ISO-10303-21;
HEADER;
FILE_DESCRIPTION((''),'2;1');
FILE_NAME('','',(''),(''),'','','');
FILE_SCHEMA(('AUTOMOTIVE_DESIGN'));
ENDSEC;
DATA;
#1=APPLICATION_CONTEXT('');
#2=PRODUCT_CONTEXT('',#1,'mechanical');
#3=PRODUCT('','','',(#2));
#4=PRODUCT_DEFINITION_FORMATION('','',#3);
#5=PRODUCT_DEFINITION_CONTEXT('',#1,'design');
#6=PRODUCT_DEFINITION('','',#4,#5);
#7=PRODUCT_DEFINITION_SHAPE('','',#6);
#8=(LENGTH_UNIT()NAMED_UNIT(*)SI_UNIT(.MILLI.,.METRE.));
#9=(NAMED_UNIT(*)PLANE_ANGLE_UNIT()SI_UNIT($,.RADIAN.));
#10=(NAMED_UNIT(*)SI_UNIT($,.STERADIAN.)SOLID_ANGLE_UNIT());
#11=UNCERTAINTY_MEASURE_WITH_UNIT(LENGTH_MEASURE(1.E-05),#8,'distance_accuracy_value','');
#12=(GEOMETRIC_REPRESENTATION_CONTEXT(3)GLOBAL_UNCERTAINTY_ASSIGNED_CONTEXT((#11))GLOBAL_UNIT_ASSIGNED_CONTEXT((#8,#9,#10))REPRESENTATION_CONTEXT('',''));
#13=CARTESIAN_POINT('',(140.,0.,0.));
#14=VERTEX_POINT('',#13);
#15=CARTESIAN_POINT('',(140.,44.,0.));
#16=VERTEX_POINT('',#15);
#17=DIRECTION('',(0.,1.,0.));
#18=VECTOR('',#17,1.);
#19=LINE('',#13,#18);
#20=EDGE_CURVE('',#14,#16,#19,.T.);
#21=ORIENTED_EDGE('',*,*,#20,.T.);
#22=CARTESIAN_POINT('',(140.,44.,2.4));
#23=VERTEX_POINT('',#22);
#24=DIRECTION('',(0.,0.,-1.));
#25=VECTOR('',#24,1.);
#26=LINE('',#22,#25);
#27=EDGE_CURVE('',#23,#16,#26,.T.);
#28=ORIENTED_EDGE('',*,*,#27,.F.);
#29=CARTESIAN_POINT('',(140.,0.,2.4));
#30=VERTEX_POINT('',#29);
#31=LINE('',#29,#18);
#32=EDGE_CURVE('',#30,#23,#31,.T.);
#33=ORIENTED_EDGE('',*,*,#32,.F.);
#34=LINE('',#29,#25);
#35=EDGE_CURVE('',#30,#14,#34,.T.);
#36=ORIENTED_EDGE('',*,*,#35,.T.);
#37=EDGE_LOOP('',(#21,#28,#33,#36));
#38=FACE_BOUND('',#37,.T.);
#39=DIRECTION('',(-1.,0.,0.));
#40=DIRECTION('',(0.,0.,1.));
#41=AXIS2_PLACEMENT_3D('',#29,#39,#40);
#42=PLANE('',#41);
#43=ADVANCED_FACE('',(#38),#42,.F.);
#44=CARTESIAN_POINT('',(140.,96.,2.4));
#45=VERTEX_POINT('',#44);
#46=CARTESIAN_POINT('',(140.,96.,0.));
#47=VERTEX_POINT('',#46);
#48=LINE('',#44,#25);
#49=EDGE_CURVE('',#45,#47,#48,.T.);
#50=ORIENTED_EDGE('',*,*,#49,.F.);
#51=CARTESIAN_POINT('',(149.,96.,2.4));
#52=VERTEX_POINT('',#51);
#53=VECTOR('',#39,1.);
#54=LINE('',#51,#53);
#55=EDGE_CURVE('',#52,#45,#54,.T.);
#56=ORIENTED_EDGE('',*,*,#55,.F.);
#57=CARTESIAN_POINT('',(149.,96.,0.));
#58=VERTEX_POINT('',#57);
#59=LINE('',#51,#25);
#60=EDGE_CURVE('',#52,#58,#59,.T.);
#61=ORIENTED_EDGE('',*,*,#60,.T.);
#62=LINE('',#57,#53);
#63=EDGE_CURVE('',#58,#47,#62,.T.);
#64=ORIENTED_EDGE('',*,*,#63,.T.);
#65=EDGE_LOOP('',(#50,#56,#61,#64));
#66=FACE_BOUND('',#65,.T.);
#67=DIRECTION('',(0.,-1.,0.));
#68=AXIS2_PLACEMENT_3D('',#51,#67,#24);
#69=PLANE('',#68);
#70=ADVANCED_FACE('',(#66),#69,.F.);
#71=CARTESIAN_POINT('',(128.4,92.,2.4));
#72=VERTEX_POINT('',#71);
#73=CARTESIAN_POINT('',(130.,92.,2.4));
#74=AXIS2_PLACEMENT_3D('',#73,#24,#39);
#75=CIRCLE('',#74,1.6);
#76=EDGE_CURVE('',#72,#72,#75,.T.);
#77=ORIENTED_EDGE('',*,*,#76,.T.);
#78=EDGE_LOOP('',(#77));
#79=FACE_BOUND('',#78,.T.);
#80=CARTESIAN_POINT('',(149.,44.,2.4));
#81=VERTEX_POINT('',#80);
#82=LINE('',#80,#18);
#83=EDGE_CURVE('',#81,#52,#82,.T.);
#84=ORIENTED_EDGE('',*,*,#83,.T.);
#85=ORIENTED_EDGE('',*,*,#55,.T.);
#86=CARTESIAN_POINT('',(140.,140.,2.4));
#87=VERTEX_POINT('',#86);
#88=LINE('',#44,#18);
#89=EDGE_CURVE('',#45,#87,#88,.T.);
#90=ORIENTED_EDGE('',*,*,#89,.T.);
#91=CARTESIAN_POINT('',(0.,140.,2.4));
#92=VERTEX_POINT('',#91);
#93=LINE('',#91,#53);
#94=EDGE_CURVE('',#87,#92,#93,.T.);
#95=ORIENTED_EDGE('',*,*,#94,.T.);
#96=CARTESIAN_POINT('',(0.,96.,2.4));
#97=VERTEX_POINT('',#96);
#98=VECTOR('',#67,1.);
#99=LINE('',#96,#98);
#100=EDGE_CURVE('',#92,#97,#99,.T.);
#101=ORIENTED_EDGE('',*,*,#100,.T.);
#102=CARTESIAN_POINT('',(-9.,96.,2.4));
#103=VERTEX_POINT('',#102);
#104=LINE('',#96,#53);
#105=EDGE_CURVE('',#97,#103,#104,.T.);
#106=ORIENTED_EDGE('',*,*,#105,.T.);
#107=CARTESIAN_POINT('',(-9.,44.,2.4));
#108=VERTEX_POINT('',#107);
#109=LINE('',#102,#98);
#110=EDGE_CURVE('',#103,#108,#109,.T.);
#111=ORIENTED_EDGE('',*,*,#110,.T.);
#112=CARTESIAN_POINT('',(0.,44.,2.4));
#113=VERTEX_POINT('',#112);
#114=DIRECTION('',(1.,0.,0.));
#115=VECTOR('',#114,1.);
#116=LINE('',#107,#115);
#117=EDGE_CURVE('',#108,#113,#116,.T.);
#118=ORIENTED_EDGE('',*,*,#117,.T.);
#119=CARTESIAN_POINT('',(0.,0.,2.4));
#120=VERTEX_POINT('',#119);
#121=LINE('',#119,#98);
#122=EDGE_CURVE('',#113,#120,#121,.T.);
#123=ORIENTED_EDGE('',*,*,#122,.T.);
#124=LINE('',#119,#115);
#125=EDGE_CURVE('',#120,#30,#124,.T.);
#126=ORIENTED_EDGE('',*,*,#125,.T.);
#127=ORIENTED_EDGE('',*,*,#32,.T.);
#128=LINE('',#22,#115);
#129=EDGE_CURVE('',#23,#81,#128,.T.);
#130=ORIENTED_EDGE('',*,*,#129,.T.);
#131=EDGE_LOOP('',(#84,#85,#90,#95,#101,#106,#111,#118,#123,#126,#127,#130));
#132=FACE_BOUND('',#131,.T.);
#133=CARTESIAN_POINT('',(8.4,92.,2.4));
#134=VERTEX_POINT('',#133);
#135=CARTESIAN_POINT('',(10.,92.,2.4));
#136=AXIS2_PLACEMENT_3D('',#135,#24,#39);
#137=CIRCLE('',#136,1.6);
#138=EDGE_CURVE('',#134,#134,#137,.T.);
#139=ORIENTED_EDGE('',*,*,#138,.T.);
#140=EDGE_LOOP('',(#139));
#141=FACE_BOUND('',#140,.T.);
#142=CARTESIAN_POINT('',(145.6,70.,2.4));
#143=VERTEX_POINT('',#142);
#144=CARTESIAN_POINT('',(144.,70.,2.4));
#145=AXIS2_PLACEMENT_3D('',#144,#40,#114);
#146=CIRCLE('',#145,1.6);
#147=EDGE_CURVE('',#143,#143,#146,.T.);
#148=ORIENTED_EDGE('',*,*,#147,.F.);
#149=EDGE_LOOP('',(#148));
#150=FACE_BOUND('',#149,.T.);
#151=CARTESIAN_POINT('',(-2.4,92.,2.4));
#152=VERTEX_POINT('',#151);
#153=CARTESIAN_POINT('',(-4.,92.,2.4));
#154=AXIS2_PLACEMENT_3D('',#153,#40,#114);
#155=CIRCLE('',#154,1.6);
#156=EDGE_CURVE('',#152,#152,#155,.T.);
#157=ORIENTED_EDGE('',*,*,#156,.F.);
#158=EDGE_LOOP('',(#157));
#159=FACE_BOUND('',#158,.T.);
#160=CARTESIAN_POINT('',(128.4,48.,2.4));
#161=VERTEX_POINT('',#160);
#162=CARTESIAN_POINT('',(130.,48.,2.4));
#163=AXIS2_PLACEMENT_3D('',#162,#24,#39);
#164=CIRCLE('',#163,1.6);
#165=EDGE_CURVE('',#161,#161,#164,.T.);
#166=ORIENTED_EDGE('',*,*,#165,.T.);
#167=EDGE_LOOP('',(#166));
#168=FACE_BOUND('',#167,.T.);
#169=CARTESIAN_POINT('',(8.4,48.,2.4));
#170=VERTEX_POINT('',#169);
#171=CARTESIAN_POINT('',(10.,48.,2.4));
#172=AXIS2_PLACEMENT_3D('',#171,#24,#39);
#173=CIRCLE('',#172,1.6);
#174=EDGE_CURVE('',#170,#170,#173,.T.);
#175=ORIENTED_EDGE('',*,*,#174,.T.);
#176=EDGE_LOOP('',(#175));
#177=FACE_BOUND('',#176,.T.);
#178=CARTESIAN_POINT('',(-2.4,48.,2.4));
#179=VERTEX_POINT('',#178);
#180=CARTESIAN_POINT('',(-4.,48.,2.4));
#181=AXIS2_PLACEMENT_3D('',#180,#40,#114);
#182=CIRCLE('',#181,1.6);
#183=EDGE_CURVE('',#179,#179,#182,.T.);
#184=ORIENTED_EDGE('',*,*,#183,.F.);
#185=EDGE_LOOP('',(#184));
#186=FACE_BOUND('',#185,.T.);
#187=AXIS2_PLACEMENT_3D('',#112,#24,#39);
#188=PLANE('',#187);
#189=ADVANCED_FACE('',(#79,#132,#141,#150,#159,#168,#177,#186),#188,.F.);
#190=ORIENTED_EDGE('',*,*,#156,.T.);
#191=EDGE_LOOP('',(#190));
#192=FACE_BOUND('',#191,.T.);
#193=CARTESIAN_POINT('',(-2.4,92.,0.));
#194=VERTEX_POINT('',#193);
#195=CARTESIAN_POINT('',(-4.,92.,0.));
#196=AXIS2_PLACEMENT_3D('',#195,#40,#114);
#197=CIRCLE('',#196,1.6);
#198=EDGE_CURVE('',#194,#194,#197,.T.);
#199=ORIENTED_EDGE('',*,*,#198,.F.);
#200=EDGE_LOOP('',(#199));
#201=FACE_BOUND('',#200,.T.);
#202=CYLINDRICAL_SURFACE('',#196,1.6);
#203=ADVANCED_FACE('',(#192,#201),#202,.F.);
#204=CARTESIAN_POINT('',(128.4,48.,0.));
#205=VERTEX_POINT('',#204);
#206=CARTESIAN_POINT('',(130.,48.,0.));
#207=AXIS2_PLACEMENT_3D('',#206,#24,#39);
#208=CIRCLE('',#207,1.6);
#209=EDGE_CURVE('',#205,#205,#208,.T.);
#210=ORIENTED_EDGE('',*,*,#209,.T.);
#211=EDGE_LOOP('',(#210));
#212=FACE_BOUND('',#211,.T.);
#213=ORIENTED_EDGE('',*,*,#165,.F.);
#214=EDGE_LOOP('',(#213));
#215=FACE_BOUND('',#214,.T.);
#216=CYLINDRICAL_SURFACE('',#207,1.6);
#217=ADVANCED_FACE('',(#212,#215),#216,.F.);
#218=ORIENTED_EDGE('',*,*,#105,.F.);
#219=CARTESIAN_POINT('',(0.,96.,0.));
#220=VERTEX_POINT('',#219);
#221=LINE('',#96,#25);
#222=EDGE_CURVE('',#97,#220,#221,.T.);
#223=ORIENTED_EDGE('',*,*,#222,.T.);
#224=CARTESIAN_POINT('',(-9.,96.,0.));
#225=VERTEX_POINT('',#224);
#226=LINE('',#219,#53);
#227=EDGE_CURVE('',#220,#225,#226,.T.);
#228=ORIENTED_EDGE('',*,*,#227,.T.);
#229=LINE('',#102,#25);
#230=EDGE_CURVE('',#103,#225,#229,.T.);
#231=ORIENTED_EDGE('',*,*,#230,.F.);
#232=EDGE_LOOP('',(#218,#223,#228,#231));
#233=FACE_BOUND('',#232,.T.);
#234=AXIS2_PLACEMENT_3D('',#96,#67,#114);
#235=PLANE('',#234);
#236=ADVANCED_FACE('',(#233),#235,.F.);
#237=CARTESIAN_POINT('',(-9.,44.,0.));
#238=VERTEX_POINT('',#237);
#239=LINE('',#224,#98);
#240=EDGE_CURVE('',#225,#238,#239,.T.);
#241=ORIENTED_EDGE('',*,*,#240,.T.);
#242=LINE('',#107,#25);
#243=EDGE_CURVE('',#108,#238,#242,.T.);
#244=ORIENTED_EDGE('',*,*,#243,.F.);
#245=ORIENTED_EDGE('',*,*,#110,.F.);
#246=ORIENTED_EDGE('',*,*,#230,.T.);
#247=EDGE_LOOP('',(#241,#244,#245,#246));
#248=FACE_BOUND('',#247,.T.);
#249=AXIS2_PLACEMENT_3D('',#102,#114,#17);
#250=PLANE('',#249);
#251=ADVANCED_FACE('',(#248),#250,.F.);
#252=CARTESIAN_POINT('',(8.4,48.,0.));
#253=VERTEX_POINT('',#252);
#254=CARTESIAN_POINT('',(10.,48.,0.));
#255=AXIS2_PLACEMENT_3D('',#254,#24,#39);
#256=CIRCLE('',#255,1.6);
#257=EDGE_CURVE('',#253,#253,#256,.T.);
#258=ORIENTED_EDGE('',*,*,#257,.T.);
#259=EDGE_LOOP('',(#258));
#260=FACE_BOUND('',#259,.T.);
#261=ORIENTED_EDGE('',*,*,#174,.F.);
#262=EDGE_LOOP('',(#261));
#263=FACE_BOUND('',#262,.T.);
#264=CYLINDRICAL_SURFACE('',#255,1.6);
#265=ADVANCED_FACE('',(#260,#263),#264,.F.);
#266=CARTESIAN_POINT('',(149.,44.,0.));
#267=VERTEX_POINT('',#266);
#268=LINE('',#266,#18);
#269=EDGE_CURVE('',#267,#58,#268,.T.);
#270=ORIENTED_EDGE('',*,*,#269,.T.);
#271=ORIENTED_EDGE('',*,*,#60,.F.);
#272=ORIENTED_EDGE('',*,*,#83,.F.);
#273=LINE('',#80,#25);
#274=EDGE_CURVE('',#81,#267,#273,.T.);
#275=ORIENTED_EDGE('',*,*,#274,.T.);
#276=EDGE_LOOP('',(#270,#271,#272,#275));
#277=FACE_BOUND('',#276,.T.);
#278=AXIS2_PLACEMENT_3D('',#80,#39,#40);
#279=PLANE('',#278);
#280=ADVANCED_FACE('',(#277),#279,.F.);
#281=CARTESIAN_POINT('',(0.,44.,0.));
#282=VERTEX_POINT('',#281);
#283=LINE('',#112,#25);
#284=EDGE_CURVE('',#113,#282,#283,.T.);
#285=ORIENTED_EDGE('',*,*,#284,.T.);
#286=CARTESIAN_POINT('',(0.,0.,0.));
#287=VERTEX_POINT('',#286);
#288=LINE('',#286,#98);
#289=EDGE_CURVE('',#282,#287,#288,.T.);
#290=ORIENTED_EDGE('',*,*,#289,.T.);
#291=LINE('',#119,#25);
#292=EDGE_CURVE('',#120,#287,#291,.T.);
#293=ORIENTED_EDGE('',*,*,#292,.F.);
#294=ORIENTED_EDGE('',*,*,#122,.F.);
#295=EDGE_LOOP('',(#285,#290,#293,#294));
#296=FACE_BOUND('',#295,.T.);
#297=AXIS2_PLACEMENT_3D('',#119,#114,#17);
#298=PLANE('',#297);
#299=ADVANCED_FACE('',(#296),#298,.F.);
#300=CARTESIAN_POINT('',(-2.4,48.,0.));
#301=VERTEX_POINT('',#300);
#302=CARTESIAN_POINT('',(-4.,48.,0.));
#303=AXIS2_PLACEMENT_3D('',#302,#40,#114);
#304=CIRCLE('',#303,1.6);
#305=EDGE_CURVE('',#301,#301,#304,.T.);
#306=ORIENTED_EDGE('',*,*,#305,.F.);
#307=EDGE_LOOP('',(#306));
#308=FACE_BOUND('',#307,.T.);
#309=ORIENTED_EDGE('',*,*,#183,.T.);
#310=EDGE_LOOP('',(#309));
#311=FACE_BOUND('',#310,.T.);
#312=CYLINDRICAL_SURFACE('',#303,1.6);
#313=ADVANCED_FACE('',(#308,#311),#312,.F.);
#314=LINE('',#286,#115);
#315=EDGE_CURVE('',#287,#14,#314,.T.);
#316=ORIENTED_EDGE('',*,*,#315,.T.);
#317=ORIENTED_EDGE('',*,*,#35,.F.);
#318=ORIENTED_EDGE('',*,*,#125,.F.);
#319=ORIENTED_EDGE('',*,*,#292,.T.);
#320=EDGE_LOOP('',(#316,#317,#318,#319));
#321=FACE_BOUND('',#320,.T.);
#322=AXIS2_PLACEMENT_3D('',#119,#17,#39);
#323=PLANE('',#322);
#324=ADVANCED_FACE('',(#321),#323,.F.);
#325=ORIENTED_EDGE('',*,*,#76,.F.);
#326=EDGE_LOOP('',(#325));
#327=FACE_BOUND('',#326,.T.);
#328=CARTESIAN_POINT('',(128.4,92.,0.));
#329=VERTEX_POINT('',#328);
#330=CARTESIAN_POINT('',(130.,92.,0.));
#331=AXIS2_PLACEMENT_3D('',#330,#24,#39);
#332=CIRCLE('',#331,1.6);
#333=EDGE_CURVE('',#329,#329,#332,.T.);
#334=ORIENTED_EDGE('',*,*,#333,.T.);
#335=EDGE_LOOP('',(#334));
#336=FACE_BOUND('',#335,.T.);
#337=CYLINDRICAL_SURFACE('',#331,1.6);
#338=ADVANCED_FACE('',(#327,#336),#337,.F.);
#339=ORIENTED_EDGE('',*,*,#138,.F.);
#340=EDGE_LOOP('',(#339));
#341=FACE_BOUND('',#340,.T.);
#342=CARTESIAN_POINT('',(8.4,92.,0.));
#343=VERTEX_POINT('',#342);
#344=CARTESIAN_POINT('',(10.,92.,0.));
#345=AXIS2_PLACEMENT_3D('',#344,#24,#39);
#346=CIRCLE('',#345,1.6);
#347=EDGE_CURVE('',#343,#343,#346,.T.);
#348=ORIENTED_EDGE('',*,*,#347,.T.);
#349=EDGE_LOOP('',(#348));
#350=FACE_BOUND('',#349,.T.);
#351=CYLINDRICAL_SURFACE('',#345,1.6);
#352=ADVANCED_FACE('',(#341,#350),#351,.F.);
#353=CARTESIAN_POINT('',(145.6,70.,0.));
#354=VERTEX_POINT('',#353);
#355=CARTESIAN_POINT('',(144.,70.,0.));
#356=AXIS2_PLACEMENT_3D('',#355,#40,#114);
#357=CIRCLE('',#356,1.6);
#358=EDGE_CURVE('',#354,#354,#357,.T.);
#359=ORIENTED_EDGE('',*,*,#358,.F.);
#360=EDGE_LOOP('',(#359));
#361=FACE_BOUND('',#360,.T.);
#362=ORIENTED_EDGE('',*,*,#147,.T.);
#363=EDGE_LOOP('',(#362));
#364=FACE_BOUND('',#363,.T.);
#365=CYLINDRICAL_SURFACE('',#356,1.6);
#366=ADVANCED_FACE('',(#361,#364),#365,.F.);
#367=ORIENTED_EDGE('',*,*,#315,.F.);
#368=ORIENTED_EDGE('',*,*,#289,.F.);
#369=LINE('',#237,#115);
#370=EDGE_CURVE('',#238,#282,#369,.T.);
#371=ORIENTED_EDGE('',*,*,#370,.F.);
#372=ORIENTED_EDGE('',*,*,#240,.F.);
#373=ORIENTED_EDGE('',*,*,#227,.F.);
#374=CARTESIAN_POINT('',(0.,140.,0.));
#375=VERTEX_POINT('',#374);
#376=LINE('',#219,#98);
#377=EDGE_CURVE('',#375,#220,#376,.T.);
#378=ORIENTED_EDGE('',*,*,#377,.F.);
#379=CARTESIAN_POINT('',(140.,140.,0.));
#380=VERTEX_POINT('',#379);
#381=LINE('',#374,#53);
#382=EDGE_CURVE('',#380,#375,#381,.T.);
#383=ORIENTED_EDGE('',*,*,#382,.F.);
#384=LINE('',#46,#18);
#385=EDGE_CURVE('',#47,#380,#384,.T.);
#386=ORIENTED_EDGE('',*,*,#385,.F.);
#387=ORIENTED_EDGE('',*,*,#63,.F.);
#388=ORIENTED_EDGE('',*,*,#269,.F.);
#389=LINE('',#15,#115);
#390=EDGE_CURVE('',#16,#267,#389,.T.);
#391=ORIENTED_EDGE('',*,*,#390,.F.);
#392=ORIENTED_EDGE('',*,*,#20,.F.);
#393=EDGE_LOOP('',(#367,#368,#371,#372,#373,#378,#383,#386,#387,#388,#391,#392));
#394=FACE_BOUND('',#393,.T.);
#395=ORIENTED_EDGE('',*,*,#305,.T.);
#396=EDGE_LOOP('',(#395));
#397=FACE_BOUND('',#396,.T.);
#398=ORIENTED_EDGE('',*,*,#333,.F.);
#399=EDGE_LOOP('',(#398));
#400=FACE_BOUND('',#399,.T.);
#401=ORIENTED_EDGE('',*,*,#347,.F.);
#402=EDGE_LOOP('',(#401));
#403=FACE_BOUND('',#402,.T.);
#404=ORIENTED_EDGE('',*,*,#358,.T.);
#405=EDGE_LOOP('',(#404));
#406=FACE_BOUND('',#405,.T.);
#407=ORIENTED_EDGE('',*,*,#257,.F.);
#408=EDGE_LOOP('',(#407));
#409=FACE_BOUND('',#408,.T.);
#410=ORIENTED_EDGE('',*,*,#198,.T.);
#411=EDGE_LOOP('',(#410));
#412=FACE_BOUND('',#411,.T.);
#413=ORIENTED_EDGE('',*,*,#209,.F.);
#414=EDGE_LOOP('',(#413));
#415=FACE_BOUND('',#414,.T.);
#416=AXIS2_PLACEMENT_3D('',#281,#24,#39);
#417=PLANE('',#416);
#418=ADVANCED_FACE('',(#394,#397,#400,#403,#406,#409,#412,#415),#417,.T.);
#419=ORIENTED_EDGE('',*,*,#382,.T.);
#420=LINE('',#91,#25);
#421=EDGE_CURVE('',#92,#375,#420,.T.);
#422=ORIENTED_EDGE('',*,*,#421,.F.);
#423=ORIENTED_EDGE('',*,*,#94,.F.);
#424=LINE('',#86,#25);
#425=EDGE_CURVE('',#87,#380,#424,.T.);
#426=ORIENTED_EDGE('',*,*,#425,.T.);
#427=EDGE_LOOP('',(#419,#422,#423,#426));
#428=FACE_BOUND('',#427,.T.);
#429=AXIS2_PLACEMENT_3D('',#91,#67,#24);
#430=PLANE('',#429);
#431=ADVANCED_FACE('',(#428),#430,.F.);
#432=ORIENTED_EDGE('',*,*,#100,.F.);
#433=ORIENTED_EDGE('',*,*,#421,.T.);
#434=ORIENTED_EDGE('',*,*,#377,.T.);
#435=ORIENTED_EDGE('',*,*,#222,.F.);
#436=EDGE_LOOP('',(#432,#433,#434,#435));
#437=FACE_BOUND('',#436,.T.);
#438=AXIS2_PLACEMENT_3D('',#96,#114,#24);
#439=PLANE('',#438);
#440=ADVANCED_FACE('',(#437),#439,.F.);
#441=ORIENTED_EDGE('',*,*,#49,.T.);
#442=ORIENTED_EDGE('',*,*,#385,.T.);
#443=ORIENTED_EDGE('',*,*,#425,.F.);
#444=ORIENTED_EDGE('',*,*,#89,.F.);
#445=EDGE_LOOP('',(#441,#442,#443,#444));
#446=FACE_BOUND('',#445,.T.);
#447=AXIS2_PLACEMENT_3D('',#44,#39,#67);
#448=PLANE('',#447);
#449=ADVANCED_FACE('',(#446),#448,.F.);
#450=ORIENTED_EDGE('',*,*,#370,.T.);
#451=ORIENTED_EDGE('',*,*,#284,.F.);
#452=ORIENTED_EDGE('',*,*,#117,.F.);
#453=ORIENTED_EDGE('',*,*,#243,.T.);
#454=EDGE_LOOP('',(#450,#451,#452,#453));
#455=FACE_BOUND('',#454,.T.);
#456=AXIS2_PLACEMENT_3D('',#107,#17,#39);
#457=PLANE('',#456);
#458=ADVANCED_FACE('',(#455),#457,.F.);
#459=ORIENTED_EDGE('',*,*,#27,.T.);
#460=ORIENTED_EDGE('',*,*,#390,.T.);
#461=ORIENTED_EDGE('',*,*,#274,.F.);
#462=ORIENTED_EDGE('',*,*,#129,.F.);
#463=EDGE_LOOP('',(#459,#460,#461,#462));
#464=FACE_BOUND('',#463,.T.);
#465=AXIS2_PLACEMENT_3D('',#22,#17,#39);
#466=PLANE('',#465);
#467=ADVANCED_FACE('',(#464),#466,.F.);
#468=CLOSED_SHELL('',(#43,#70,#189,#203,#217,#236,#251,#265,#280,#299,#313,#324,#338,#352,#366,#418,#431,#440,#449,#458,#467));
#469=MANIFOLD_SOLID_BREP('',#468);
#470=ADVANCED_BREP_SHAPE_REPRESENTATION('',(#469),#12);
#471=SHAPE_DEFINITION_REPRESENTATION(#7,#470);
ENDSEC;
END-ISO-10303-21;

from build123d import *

# Parameters (mm, degrees)
BOSS_EXTRUDE1_DEPTH            = 2.4
F_3_2_3_2_DIAMETER_HOLE1_D     = 3.2
F_3_2_3_2_DIAMETER_HOLE1_DEPTH = 4
F_3_2_3_2_DIAMETER_HOLE1_TIP   = 0.96137699
SKETCH8_R                      = 1.6
CUT_EXTRUDE2_DEPTH             = 205.467014455


with BuildPart() as part:
    # Sketch1 → Boss-Extrude1 (new body)
    with BuildSketch(Plane.XY):
        Polygon((0, 0), (140, 0), (140, 44), (149, 44), (149, 96), (140, 96), (140, 140), (0, 140), (0, 96), (-9, 96), (-9, 44), (0, 44), align=None)
    extrude(amount=BOSS_EXTRUDE1_DEPTH)

    # Ø3.2 (3.2) Diameter Hole1
    with Locations(Plane(origin=(0, 0, 0), x_dir=(-1, 0, 0), z_dir=(0, 0, -1))):
        with Locations((-130, 92), (-130, 48), (-10, 92), (-10, 48)):
            Hole(F_3_2_3_2_DIAMETER_HOLE1_D / 2, depth=F_3_2_3_2_DIAMETER_HOLE1_DEPTH)
            with Locations((0, 0, -(F_3_2_3_2_DIAMETER_HOLE1_DEPTH + F_3_2_3_2_DIAMETER_HOLE1_TIP / 2))):  # 118° drill point
                Cone(0, F_3_2_3_2_DIAMETER_HOLE1_D / 2, F_3_2_3_2_DIAMETER_HOLE1_TIP, mode=Mode.SUBTRACT)

    # Sketch8 → Cut-Extrude2 (cut, through all)
    with BuildSketch(Plane.XY.offset(2.4)):
        with Locations((-4, 92)):
            Circle(SKETCH8_R)
        with Locations((-4, 48)):
            Circle(SKETCH8_R)
        with Locations((144, 70)):
            Circle(SKETCH8_R)
    extrude(amount=-CUT_EXTRUDE2_DEPTH, mode=Mode.SUBTRACT)


solid = part.part
